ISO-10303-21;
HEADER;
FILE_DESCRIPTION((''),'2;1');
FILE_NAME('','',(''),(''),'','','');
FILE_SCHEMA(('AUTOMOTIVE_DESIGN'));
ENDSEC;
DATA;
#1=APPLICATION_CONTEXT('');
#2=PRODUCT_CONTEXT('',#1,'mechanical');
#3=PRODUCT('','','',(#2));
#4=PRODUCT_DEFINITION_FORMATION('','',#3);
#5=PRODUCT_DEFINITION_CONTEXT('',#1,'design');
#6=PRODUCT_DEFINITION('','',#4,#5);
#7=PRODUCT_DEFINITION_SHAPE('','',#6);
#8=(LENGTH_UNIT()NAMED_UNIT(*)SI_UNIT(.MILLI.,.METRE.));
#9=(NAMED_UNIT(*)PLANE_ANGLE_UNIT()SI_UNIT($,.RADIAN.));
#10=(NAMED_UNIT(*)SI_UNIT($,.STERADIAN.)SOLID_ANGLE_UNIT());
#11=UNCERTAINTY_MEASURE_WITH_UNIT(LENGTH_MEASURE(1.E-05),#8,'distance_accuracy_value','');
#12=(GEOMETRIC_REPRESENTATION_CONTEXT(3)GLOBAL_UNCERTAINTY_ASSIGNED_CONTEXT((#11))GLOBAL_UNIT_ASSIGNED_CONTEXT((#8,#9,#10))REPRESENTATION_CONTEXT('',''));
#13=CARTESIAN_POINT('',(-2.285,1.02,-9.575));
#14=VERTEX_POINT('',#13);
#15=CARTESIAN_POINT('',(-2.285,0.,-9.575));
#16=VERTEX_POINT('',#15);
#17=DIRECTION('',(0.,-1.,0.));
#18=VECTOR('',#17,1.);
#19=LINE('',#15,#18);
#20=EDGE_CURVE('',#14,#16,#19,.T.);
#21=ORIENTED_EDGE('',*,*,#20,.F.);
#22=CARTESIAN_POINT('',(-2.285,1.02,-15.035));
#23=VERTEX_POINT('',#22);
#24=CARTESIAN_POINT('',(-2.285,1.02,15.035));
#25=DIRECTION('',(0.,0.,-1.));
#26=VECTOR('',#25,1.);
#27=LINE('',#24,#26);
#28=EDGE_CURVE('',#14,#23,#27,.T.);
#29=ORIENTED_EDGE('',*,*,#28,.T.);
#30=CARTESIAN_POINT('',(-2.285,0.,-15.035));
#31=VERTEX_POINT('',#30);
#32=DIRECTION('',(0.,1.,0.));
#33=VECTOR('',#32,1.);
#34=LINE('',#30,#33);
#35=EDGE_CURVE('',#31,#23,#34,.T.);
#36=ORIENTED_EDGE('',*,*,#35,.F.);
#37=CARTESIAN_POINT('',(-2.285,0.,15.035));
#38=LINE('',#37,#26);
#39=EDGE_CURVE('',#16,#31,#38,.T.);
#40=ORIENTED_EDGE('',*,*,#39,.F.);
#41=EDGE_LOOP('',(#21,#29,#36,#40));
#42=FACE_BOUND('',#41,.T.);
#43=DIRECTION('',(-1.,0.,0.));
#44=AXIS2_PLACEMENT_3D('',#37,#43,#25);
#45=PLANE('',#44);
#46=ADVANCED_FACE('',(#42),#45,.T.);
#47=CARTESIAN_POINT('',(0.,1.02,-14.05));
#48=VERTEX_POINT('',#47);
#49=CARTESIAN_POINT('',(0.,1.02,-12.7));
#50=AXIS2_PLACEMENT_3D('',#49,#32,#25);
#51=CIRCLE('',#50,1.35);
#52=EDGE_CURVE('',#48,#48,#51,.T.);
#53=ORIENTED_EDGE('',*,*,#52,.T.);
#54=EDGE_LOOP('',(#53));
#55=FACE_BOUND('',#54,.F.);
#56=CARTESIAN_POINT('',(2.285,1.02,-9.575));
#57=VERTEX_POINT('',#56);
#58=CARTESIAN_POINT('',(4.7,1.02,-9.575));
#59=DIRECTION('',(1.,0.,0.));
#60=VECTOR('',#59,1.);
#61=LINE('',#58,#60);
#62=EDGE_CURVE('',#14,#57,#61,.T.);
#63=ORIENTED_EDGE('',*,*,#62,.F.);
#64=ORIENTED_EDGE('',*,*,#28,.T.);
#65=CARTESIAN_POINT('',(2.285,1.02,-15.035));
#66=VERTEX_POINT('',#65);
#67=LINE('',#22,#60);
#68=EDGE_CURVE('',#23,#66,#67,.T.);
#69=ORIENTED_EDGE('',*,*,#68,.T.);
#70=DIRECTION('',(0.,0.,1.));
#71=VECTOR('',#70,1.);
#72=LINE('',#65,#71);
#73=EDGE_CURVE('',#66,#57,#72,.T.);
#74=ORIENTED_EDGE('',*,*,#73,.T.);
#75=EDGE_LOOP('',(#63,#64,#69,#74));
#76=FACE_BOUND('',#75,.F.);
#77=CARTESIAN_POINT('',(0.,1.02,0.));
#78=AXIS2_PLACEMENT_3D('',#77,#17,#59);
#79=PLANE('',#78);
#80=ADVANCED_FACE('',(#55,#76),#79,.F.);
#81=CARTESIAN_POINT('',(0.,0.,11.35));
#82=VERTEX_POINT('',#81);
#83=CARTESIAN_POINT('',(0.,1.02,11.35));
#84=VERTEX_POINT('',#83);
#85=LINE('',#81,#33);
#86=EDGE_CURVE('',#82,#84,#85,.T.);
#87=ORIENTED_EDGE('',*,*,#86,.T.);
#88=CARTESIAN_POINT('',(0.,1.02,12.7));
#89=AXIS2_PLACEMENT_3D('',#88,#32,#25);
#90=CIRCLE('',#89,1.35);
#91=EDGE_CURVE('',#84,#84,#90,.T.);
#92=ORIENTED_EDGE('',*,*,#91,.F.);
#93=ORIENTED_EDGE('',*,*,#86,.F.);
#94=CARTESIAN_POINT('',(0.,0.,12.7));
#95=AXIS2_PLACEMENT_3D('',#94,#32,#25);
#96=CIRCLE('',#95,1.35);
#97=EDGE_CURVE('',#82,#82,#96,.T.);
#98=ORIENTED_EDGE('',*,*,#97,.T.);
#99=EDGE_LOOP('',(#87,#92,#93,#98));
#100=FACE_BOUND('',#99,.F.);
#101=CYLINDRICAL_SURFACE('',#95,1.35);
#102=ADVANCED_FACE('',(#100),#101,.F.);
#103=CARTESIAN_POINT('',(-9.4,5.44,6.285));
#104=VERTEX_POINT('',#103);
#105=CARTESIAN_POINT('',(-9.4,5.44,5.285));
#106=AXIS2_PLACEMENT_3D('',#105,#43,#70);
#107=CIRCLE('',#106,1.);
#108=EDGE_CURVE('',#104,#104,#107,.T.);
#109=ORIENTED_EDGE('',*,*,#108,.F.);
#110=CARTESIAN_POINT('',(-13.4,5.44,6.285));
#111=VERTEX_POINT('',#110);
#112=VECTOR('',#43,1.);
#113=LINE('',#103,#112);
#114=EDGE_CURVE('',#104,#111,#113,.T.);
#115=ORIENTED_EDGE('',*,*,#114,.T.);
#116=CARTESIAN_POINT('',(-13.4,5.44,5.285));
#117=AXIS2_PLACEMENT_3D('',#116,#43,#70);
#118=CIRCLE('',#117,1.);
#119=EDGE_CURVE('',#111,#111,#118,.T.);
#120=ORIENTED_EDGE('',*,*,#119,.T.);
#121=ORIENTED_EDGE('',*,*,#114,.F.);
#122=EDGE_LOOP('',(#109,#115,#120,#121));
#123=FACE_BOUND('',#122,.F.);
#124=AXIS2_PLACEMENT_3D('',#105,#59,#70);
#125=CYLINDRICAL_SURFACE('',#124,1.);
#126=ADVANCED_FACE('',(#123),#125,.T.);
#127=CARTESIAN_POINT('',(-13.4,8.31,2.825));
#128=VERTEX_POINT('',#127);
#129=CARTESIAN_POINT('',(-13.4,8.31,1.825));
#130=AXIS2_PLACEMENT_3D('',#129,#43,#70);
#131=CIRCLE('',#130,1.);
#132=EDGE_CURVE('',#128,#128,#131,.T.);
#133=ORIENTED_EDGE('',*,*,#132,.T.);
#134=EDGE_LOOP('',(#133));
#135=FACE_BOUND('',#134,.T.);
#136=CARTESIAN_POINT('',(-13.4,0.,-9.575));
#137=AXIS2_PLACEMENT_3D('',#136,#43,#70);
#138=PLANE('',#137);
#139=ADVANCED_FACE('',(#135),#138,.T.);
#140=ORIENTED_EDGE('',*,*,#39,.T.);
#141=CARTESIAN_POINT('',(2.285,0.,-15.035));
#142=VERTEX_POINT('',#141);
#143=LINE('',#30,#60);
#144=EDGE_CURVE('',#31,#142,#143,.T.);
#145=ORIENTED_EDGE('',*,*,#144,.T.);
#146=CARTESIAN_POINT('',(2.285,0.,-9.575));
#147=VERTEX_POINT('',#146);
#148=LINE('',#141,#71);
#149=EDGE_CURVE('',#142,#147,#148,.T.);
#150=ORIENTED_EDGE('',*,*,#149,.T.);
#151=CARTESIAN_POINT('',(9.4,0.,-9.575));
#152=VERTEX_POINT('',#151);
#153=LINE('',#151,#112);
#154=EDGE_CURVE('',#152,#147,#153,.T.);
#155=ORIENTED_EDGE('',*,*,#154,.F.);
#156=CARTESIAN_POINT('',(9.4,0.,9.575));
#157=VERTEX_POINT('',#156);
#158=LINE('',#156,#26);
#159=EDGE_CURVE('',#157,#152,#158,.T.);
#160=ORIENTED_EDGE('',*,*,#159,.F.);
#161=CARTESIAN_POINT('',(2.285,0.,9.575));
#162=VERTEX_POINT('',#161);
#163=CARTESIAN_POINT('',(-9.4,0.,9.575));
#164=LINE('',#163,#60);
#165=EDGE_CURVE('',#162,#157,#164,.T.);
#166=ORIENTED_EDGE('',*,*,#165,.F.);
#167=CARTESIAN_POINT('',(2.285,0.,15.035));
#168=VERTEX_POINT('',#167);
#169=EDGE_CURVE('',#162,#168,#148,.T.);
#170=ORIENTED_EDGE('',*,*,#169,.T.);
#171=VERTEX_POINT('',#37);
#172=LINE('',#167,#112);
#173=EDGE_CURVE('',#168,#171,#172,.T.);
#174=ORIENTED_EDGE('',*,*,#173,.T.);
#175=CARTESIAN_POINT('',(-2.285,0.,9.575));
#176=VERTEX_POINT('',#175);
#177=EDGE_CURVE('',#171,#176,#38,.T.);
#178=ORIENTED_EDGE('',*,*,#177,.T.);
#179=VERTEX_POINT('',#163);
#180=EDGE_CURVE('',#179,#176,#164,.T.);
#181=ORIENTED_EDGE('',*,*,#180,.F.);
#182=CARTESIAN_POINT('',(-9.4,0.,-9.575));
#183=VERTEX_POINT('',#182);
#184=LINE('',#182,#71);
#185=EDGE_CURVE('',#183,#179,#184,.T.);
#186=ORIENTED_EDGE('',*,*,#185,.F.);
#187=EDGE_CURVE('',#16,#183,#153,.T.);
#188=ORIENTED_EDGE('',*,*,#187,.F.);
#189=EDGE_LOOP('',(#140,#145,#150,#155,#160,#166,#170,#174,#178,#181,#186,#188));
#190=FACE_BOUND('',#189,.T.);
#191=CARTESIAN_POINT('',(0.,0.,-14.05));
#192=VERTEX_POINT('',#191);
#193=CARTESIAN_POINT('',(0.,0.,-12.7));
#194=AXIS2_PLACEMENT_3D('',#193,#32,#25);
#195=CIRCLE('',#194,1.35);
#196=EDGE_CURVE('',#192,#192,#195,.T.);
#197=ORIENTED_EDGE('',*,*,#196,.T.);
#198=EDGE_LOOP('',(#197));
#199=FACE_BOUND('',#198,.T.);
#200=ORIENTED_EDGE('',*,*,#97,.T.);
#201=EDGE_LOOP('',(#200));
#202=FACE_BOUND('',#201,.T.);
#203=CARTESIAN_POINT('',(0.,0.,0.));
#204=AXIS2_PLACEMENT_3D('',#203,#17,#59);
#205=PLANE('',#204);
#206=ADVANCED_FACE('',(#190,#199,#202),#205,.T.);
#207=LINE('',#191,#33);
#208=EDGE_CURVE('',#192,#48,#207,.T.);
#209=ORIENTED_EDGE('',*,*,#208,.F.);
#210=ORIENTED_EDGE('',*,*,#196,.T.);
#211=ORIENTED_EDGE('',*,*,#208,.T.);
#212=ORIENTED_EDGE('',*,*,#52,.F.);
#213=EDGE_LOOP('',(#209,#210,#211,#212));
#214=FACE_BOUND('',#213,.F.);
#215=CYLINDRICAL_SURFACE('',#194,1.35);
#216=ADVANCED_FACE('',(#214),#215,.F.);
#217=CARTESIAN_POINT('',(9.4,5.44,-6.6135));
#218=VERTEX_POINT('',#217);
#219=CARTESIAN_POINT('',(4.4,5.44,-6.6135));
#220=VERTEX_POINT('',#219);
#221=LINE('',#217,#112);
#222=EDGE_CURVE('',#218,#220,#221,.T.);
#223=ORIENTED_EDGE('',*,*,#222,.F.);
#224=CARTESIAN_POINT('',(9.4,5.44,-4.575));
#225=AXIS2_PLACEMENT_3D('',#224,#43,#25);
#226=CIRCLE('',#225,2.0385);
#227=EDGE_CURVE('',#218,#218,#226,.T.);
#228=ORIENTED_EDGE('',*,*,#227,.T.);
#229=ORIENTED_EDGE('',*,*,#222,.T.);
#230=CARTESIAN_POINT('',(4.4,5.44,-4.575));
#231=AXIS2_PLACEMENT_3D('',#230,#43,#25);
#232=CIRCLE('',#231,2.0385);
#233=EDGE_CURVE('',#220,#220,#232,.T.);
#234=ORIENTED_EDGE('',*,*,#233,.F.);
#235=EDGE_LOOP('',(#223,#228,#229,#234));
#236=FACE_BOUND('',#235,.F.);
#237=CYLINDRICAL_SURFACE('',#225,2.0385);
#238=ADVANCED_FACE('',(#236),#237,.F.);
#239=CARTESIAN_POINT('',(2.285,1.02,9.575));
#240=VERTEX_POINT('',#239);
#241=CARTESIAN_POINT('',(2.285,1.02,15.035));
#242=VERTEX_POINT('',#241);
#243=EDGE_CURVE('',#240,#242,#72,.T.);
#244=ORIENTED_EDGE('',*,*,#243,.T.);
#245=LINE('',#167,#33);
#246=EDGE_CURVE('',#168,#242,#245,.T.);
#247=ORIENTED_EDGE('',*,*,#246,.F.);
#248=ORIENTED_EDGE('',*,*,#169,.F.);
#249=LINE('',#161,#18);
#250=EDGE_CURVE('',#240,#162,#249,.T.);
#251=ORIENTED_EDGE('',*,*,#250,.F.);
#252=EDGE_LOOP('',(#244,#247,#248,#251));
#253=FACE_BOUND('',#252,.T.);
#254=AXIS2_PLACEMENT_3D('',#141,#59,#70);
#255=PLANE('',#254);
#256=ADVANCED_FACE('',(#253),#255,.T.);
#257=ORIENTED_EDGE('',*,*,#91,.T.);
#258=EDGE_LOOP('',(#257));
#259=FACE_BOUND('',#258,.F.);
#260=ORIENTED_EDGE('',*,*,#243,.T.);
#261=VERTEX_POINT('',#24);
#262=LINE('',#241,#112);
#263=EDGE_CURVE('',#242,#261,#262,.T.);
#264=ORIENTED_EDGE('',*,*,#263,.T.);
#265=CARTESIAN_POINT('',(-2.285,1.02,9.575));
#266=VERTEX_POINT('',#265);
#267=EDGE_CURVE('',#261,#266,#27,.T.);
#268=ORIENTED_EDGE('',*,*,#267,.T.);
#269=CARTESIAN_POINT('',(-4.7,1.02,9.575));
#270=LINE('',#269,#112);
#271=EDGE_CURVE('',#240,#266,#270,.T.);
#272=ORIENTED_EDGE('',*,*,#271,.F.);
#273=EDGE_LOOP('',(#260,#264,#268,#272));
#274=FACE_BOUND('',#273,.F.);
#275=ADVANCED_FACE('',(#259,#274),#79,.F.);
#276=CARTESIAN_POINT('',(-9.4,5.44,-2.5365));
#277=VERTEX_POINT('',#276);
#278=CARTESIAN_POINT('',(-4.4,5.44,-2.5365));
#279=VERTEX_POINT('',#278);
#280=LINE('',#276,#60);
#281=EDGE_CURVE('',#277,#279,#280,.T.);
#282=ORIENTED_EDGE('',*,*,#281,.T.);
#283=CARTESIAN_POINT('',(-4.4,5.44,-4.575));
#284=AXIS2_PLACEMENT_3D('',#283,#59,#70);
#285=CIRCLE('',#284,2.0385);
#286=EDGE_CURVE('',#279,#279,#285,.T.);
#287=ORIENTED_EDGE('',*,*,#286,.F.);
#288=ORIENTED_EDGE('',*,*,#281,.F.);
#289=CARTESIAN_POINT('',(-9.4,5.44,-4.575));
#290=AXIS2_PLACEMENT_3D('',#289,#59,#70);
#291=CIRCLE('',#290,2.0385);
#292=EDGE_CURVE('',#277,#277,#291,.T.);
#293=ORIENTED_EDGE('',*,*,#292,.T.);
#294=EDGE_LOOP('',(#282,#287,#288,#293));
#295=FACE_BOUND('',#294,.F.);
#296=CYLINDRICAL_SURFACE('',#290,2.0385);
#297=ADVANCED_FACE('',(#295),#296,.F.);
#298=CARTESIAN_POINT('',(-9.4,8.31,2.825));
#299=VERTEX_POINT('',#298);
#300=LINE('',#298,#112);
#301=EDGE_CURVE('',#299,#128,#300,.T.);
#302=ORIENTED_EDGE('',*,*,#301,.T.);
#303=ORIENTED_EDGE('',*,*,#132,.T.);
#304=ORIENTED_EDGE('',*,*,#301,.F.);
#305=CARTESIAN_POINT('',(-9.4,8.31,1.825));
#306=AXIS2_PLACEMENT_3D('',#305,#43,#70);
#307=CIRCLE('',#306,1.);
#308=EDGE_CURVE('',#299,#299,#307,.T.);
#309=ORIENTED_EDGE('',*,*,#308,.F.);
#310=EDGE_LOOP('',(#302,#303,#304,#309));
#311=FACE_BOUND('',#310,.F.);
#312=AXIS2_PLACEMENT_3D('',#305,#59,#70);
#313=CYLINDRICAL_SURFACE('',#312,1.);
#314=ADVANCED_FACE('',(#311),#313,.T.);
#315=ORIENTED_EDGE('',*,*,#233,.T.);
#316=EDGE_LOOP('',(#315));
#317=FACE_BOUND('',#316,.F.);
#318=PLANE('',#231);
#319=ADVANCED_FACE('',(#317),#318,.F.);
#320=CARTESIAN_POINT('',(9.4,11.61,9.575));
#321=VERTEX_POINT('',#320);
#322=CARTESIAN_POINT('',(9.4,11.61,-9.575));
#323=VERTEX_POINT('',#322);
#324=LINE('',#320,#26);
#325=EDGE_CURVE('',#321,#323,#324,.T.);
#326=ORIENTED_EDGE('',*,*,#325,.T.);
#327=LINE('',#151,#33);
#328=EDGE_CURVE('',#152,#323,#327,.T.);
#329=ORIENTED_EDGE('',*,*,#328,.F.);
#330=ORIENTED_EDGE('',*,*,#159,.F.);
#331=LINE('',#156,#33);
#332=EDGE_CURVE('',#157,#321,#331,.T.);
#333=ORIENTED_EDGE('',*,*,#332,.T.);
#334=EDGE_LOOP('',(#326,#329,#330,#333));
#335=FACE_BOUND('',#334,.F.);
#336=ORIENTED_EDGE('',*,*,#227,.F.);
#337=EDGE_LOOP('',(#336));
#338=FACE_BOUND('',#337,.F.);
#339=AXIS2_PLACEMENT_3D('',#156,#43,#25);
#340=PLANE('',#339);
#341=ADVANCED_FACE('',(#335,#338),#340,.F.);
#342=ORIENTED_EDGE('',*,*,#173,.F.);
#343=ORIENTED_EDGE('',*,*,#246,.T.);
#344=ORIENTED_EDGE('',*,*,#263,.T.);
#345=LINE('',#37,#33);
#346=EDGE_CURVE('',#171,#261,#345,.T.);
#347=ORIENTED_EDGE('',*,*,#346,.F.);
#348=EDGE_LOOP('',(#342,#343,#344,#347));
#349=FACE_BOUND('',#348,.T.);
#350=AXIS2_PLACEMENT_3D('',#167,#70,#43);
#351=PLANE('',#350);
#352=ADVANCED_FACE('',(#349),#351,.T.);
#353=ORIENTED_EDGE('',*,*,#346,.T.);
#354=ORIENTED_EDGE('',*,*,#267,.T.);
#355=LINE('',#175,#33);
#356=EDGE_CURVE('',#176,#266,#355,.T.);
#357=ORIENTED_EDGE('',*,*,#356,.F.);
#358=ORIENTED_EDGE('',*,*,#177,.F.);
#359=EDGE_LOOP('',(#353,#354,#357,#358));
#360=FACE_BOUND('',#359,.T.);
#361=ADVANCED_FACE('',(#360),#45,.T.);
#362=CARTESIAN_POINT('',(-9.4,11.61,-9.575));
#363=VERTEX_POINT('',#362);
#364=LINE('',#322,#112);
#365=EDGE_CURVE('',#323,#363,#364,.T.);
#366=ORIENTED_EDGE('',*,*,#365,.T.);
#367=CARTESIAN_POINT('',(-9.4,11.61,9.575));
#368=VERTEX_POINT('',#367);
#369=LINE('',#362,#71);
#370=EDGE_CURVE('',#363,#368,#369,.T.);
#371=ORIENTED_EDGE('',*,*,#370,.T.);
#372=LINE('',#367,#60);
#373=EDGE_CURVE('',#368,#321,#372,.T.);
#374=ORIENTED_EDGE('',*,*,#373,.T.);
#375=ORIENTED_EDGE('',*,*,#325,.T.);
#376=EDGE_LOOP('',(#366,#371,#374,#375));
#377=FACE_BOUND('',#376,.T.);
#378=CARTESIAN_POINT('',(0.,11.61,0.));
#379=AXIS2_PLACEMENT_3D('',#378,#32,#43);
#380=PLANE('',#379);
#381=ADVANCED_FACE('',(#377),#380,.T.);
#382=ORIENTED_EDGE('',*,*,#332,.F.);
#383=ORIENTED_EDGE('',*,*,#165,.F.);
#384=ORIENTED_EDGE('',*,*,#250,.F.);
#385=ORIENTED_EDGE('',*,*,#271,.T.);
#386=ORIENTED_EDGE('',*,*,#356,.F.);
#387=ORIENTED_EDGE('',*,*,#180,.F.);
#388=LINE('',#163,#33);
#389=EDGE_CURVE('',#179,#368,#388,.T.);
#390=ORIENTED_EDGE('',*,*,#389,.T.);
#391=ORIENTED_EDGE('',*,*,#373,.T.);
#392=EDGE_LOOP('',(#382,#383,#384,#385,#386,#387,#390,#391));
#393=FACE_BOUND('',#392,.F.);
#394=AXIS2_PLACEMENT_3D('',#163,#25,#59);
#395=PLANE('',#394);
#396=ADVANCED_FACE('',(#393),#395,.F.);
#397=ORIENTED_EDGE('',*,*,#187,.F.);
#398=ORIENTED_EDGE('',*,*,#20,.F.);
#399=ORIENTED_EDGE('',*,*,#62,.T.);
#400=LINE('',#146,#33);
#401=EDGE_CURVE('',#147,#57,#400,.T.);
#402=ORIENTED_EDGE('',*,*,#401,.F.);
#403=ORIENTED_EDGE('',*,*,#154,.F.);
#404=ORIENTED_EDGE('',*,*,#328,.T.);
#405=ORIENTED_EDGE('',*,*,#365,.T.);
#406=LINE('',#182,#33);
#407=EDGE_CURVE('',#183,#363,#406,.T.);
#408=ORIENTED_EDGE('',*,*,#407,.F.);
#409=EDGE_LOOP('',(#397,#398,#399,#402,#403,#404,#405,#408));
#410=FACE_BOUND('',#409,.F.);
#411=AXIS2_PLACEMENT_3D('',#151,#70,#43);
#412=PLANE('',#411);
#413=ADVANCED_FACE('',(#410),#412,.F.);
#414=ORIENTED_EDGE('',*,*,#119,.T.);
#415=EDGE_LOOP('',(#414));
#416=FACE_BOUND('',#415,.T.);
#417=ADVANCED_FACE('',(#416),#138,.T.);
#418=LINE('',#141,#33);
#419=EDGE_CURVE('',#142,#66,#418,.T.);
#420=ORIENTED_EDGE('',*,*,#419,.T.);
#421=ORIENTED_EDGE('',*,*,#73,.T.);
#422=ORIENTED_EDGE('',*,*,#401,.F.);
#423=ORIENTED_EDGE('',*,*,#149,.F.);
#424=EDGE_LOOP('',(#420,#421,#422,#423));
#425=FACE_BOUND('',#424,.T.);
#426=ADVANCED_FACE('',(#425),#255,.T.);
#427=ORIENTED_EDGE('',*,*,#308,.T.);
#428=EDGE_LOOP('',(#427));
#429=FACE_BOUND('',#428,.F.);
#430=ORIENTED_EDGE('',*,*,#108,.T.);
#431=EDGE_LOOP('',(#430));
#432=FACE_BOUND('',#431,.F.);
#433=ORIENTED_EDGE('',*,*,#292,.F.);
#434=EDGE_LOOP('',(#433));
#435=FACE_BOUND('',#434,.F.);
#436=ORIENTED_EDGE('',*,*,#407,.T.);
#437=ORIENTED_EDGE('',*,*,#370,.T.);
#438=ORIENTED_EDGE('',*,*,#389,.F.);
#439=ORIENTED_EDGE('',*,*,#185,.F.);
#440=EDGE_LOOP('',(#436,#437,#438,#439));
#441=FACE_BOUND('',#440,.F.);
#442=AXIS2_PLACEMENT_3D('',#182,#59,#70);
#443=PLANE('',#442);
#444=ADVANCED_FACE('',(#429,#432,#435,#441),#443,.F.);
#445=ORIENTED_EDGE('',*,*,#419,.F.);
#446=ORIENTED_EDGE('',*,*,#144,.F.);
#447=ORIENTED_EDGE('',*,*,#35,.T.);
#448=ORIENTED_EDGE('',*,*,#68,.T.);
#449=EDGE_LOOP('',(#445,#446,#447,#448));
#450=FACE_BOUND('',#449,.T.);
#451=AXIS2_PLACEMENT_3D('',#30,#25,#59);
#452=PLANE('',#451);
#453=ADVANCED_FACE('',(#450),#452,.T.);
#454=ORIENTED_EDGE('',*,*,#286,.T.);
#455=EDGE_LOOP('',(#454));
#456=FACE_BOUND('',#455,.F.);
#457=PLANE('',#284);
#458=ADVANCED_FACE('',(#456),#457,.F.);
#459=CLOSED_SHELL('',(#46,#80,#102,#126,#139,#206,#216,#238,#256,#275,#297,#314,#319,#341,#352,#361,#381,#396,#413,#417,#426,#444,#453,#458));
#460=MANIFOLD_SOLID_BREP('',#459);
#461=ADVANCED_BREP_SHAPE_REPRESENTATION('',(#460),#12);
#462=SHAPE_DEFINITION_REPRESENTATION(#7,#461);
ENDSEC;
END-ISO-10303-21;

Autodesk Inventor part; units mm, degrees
ref_plane "YZ Plane" through (0, 0, 0) normal (1, 0, 0) x (0, 1, 0)
ref_plane "XZ Plane" through (0, 0, 0) normal (0, 1, 0) x (-1, 0, 0)
ref_plane "XY Plane" through (0, 0, 0) normal (0, 0, 1) x (1, 0, 0)
sketch "Sketch1" plane through (0, 0, 0) normal (0, 1, 0) x (-1, 0, 0)
  line L0 (9.4, 9.575) -> (-9.4, 9.575)
  line L1 (-9.4, 9.575) -> (-9.4, -9.575)
  line L2 (-9.4, -9.575) -> (9.4, -9.575)
  line L3 (9.4, -9.575) -> (9.4, 9.575)
  line L4 (9.4, 9.575) -> (-9.4, -9.575) construction
  line L5 (-9.4, 9.575) -> (9.4, -9.575) construction
  point P0 (0, 0)
  dimension "d0" = 18.8
  dimension "d1" = 19.15
extrude "Extrusion1" add sketch "Sketch1" along normal blind 11.61
sketch "Sketch6" plane through (9.4, 0, 9.575) normal (1, 0, 0) x (0, 0, -1)
  line L0 (0, 0) -> (19.15, 0) projected
  line L1 (0, 0) -> (0, 11.61) projected
  line L2 (19.15, 0) -> (19.15, 11.61) projected
  point P0 (9.575, 0)
  point P1 (14.15, 5.44)
  dimension "d60" = 5.44
  dimension "d76" = 5
hole "Hole6" at (9.4, 5.44, -4.575) direction (-1, 0, 0) diameter 4.077 depth 5
sketch "Sketch7" plane through (-9.4, 0, -9.575) normal (-1, 0, 0) x (0, 0, 1)
  circle A0 centre (5, 5.44) radius 2.0385 projected
  point P0 (9.575, 0)
hole "Hole7" at (-9.4, 5.44, -4.575) direction (1, 0, 0) diameter 4.077 depth 5
sketch "Sketch8" plane through (0, 11.61, 0) normal (0, 1, 0) x (1, 0, 0)
  line L0 (-37.5313, 24.2217) -> (38.0409, 24.2217) construction
  line L1 (38.0409, 24.2217) -> (38.0409, -24.8493) construction
  line L2 (38.0409, -24.8493) -> (-37.5313, -24.8493) construction
  line L3 (-37.5313, -24.8493) -> (-37.5313, 24.2217) construction
  point P0 (0, 0)
sketch "Sketch9" plane through (0, 0, 0) normal (0, -1, 0) x (1, 0, 0)
  line L0 (2.285, 15.035) -> (-2.285, 15.035)
  line L1 (-2.285, 15.035) -> (-2.285, -15.035)
  line L2 (-2.285, -15.035) -> (2.285, -15.035)
  line L3 (2.285, -15.035) -> (2.285, 15.035)
  line L4 (2.285, 15.035) -> (-2.285, -15.035) construction
  line L5 (-2.285, 15.035) -> (2.285, -15.035) construction
  point P0 (0, 0)
  dimension "d77" = 4.57
  dimension "d78" = 30.07
extrude "Extrusion2" add sketch "Sketch9" against normal blind 1.02
sketch "Sketch10" plane through (0, 0, 0) normal (0, -1, 0) x (1, 0, 0)
  line L0 (-2.285, -15.035) -> (2.285, -15.035) construction
  line L1 (0, -15.035) -> (0, 15.035) construction
  line L2 (-2.285, 15.035) -> (2.285, 15.035) construction
  point P0 (0, 0)
  point P1 (0, -12.7)
  point P2 (0, 12.7)
  dimension "d81" = 12.7
  dimension "d82" = 12.7
hole "Hole8" at (0, 0, -12.7) at (0, 0, 12.7) direction (0, 1, 0) diameter 2.7 end through all
sketch "Sketch11" plane through (-9.4, 0, -9.575) normal (-1, 0, 0) x (0, 0, 1)
  circle A0 centre (11.4, 8.31) radius 1
  circle A1 centre (14.86, 5.44) radius 1
  line L0 (0, 0) -> (19.15, 0) projected
  line L1 (0, 0) -> (0, 11.61) projected
  point P0 (9.575, 0)
  dimension "d90" = 2
  dimension "d91" = 2
  dimension "d92" = 5.44
  dimension "d93" = 8.31
  dimension "d94" = 14.86
  dimension "d95" = 11.4
extrude "Extrusion3" add sketch "Sketch11" along normal blind 4
sketch "Sketch12" plane through (0, 11.61, 0) normal (0, 1, 0) x (1, 0, 0)
  line L0 (-9.3536, 9.4666) -> (9.2116, 9.4666) construction
  line L1 (9.2116, 9.4666) -> (9.2116, -9.4331) construction
  line L2 (9.2116, -9.4331) -> (-9.3536, -9.4331) construction
  line L3 (-9.3536, -9.4331) -> (-9.3536, 9.4666) construction
properties part number "USB-1SP16T-83H-01"
